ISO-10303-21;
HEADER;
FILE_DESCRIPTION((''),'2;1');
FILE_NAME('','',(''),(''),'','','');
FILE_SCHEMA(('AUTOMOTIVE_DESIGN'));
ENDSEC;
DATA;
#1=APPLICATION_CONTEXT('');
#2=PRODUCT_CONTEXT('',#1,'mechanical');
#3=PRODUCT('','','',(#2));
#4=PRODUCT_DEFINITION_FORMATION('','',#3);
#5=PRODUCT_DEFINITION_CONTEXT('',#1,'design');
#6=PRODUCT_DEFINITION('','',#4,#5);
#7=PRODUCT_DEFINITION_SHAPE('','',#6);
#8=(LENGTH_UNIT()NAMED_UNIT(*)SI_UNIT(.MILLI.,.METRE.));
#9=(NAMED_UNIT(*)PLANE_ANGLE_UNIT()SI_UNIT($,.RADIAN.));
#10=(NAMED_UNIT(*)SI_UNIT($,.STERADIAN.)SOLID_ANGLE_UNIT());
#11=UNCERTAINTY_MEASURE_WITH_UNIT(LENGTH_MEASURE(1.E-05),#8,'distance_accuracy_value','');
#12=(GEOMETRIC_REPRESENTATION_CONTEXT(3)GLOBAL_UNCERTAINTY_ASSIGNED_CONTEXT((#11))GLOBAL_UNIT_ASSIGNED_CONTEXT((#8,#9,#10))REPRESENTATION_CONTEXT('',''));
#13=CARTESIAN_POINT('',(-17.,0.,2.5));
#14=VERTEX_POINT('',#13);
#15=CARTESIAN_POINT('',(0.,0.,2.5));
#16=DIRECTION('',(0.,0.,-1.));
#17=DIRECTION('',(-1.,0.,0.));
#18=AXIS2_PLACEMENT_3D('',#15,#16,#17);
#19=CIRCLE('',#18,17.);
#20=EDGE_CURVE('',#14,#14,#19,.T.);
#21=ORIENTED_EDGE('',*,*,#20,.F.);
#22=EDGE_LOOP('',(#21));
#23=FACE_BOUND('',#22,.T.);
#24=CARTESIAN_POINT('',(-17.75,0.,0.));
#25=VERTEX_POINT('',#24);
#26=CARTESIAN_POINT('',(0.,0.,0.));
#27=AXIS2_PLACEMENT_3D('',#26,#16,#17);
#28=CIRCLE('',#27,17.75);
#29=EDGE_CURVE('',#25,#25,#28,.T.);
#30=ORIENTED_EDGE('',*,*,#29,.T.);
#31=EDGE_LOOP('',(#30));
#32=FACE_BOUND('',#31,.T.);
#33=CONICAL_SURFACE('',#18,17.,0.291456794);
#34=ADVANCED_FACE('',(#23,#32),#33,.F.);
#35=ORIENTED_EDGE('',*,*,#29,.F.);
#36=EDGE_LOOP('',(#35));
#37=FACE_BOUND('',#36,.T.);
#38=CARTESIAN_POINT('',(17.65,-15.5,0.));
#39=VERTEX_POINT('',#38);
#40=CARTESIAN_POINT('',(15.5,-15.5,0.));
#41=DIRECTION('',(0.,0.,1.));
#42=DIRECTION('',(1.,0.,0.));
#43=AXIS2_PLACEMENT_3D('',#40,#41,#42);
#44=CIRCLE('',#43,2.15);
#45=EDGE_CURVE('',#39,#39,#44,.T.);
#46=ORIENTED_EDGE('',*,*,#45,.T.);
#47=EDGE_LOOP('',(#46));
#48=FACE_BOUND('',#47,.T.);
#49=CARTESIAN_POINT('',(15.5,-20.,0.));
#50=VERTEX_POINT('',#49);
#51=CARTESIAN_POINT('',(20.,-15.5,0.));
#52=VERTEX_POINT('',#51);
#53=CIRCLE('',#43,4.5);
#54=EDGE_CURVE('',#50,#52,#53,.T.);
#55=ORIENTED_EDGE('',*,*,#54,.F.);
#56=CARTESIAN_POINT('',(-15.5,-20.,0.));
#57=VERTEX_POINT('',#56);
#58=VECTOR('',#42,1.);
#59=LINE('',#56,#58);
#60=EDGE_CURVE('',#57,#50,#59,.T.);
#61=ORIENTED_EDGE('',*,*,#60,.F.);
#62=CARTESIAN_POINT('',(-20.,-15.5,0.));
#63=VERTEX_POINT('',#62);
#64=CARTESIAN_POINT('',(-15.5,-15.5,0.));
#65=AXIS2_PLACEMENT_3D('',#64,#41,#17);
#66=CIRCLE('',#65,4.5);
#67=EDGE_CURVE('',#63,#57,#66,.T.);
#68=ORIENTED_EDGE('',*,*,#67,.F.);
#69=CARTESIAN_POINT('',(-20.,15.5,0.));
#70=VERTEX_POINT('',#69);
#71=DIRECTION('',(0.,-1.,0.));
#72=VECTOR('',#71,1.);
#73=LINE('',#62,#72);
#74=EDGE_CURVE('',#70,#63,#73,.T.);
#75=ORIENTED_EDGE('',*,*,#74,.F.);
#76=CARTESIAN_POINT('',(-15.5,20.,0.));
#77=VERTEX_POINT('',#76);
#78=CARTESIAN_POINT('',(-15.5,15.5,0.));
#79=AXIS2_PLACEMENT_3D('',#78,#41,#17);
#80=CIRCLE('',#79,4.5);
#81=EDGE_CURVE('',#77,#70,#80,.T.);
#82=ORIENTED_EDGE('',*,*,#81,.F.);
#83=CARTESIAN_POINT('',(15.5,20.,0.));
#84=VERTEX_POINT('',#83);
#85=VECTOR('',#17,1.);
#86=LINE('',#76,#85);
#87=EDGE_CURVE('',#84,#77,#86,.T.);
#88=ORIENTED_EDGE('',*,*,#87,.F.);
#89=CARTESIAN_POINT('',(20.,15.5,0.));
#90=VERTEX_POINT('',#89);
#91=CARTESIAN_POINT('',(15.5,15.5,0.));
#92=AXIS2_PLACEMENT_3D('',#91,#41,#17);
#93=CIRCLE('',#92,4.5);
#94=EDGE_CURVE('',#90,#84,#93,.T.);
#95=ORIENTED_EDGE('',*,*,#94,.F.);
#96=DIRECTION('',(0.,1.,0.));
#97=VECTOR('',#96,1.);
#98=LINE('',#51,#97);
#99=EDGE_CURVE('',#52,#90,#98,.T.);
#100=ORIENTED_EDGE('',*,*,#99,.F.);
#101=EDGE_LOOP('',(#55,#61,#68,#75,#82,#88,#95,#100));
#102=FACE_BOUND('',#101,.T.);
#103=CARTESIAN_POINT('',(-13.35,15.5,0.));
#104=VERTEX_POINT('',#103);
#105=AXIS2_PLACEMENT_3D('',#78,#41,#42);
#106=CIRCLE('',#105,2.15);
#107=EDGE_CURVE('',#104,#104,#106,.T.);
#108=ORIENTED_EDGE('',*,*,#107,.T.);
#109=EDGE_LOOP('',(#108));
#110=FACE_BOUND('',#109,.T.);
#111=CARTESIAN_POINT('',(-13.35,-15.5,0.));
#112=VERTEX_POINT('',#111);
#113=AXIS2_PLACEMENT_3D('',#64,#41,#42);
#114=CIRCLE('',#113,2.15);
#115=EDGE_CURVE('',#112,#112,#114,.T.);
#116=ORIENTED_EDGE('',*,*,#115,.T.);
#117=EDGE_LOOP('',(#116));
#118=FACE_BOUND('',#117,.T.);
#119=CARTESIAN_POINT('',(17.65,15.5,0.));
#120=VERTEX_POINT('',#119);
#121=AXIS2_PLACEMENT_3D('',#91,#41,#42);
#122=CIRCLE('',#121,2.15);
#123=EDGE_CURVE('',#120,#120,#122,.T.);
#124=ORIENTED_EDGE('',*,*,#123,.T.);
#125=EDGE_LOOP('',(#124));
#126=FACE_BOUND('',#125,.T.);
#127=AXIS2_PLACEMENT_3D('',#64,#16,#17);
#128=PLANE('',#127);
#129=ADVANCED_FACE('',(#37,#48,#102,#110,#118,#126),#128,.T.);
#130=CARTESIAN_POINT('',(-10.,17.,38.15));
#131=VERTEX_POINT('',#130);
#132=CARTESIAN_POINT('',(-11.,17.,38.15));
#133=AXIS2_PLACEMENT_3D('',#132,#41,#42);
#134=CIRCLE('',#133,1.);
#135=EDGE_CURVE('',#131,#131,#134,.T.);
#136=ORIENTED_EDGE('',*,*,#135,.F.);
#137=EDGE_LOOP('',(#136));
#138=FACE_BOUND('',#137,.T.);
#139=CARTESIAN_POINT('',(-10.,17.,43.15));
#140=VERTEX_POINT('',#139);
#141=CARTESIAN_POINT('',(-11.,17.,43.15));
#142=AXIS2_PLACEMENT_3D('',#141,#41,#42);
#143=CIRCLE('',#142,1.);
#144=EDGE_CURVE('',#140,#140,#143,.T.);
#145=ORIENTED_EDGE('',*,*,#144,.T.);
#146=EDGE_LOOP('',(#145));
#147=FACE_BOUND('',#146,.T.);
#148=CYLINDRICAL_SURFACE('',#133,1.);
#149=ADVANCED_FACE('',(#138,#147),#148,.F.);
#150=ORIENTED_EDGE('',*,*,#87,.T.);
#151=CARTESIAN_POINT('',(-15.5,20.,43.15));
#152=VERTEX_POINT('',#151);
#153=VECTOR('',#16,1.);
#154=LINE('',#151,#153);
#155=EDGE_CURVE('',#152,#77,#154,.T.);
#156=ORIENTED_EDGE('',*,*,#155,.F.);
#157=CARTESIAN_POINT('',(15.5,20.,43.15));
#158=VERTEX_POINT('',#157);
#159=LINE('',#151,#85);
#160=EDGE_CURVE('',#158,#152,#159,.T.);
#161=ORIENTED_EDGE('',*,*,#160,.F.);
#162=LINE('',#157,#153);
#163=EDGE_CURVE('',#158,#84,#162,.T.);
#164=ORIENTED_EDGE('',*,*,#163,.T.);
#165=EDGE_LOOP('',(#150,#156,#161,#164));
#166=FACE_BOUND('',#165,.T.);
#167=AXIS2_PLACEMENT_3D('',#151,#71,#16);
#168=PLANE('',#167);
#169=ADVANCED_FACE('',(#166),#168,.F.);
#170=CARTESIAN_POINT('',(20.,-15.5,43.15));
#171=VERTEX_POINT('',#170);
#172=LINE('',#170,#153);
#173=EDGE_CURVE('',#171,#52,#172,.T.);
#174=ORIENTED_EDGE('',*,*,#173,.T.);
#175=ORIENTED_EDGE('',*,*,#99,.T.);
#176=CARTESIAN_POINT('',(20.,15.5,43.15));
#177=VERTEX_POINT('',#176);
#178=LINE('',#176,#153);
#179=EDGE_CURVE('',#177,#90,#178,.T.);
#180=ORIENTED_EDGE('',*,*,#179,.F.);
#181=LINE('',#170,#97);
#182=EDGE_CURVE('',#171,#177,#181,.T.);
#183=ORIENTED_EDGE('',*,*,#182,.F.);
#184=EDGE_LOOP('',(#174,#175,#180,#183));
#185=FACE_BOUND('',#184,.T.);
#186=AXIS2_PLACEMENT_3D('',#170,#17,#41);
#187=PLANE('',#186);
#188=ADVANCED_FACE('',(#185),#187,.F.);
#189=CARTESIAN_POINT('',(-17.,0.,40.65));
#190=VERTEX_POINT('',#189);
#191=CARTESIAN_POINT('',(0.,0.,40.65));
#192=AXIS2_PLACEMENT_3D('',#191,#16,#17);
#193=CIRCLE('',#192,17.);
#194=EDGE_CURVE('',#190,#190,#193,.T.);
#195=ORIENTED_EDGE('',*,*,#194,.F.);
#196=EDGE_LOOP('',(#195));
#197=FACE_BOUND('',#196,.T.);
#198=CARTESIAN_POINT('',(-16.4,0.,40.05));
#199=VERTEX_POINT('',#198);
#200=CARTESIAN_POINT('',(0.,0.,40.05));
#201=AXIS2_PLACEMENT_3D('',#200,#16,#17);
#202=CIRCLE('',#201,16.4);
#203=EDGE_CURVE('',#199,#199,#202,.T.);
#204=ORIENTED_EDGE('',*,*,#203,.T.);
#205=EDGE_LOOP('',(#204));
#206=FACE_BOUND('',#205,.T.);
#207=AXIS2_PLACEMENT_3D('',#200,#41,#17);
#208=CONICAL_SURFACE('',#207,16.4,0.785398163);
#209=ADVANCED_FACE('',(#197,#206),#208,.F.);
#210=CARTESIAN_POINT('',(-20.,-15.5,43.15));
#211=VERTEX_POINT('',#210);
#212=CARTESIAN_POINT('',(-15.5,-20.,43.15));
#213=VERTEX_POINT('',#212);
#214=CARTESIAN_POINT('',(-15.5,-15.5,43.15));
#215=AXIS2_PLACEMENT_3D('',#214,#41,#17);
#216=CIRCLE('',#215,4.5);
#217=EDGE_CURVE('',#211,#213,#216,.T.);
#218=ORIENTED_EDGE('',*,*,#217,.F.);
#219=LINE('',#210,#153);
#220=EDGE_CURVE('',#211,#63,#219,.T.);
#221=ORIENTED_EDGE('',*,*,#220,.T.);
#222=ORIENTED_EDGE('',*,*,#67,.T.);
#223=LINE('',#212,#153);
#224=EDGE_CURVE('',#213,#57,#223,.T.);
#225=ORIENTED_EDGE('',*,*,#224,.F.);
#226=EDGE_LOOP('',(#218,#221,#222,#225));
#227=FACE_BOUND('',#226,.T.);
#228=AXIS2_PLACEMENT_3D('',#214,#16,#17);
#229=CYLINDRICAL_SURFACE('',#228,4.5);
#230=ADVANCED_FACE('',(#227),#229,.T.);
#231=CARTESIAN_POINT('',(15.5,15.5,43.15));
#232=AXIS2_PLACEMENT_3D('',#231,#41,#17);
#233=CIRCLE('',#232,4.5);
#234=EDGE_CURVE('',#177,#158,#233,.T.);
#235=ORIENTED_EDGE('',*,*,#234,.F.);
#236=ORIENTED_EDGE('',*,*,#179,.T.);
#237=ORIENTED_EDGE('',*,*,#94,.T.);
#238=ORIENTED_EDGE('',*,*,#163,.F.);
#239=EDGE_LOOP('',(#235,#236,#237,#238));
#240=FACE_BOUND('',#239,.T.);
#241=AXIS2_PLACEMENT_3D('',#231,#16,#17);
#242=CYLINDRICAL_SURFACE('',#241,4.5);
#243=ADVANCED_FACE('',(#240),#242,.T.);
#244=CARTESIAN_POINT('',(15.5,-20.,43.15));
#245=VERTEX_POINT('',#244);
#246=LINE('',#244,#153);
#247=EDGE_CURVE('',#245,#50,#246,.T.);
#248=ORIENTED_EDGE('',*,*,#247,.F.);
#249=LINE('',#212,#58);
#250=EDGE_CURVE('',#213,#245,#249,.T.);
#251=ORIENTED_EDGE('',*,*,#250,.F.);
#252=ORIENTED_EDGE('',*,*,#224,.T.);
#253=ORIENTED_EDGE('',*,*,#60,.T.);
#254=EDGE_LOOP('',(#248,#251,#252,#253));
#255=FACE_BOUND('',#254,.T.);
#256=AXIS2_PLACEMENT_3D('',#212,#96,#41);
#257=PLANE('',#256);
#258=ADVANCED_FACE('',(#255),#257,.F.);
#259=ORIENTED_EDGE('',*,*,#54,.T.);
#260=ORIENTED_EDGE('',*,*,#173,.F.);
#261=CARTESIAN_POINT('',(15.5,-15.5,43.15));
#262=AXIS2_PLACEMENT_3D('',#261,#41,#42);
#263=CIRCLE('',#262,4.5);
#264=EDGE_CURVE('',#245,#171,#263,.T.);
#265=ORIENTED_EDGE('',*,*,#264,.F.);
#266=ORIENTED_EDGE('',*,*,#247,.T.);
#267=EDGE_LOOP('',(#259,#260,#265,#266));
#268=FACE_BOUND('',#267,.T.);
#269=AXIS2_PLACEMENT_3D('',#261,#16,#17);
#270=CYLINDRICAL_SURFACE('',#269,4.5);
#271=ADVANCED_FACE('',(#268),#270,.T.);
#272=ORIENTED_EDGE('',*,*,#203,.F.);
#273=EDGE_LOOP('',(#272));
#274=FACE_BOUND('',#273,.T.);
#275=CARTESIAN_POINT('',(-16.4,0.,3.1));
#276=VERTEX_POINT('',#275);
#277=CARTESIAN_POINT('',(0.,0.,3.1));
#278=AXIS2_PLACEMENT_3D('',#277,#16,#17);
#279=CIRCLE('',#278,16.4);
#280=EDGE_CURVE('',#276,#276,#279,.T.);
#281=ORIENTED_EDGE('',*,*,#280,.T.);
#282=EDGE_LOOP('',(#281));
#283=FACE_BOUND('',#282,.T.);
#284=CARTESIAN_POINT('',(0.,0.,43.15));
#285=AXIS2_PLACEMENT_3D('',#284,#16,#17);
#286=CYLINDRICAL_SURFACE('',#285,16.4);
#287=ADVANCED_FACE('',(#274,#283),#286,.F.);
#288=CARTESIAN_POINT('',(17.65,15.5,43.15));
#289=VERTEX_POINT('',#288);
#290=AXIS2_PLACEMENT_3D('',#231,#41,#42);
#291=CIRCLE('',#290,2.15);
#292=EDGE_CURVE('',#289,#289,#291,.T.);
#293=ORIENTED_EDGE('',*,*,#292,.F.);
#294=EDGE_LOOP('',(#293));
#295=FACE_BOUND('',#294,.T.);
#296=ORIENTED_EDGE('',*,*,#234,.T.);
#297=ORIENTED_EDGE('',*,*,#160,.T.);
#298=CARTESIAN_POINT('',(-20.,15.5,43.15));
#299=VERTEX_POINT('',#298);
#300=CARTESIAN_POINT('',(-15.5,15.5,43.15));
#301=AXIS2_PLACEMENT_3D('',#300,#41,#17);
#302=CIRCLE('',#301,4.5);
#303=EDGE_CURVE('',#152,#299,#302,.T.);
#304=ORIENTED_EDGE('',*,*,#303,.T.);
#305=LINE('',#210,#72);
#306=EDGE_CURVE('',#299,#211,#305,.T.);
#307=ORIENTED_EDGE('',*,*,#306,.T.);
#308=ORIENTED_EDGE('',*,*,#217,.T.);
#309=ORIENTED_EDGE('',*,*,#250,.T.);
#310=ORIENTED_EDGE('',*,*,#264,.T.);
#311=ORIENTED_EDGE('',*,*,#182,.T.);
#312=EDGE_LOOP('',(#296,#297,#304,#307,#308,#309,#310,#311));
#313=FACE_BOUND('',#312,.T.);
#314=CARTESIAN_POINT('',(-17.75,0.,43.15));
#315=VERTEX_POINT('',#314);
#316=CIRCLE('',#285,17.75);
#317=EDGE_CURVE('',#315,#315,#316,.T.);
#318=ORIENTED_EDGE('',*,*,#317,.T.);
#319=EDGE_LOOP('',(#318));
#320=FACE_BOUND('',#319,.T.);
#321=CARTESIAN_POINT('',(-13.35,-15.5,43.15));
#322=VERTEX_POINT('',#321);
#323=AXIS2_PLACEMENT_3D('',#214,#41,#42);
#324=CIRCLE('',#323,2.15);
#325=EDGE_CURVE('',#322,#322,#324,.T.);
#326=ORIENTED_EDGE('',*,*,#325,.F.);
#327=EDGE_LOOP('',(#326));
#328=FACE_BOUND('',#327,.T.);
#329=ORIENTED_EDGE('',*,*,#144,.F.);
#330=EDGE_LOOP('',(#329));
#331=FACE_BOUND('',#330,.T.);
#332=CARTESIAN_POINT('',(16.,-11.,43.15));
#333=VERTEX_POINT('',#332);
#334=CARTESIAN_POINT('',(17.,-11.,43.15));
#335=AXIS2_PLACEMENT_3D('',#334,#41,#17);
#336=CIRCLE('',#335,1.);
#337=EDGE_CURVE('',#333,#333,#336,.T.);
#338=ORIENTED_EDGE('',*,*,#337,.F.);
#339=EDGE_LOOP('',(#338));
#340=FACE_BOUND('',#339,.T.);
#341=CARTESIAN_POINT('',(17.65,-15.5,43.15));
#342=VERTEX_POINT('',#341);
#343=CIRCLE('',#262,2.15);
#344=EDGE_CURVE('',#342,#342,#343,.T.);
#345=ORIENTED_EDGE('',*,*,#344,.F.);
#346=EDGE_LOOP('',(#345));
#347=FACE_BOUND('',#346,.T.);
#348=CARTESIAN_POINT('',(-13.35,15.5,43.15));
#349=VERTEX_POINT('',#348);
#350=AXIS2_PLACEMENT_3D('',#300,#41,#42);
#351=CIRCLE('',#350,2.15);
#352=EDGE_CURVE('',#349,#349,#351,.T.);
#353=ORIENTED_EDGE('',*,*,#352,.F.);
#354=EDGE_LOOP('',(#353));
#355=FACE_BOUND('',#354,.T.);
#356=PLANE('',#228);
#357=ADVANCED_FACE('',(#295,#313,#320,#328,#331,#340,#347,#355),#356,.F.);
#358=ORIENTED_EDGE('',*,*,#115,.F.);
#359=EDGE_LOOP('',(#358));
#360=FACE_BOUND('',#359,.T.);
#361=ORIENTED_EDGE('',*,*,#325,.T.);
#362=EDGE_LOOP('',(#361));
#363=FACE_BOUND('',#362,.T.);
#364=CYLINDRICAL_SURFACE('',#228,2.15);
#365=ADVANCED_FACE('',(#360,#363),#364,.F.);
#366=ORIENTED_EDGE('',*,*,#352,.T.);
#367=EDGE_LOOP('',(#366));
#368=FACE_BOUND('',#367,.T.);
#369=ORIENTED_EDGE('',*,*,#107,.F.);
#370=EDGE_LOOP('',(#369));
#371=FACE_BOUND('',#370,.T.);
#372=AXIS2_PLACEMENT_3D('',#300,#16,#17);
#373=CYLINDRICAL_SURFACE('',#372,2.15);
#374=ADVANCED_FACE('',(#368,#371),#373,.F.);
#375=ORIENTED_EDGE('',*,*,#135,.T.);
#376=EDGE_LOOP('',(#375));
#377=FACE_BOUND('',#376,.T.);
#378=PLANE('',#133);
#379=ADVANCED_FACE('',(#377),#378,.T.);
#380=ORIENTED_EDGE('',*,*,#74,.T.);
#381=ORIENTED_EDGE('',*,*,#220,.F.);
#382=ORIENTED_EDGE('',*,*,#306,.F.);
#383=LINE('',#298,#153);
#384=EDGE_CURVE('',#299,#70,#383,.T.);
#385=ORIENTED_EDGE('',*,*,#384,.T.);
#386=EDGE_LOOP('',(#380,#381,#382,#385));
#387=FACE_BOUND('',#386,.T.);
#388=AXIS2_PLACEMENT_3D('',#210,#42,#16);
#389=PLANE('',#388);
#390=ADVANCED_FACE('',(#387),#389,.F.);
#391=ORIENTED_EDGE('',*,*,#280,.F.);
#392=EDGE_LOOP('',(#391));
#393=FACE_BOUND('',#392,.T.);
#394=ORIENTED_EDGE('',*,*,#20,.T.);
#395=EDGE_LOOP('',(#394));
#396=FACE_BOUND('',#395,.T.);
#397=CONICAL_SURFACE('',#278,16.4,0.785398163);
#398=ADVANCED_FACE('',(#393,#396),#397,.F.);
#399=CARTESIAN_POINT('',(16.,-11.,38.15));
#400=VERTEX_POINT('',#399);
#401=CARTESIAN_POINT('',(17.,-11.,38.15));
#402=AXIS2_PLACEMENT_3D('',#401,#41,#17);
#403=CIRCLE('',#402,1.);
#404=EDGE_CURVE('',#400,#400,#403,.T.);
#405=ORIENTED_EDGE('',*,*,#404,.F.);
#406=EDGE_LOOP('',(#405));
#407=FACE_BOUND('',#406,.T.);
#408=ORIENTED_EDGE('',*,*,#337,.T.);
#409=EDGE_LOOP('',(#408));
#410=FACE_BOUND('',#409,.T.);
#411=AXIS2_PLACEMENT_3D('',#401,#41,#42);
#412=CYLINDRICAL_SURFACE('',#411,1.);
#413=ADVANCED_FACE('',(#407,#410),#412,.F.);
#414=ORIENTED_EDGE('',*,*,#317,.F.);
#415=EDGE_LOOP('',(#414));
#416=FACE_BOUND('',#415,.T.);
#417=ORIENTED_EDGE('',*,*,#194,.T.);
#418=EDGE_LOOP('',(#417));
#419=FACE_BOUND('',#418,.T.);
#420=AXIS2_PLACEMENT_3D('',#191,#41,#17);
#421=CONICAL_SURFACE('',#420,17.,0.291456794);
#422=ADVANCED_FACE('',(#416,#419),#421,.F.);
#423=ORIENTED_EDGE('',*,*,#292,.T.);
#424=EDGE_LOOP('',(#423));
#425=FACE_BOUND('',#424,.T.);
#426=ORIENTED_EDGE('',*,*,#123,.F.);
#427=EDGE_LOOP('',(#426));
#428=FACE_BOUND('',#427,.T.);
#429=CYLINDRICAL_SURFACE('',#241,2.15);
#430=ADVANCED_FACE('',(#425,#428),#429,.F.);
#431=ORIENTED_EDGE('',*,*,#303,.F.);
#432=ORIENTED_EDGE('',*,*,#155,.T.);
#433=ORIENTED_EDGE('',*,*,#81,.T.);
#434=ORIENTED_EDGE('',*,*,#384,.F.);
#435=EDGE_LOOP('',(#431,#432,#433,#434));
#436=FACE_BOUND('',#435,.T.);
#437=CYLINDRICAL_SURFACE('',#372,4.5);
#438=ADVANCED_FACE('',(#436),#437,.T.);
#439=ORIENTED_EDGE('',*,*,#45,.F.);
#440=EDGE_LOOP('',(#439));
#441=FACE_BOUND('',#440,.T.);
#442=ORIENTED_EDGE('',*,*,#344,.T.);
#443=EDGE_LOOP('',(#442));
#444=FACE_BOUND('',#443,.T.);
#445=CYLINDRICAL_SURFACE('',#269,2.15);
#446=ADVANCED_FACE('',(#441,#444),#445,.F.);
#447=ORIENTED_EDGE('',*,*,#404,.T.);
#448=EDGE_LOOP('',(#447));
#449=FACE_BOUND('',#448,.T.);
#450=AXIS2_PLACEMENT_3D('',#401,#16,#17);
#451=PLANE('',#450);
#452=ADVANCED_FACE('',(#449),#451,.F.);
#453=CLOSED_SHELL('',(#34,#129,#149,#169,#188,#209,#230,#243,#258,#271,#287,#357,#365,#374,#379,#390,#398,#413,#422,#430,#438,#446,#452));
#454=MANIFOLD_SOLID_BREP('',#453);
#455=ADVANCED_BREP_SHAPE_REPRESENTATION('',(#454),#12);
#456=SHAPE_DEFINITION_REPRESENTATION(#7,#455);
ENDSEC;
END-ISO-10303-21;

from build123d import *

# Parameters (mm, degrees)
SKETCH1_R           = 16.4
SKETCH1_R_2         = 2.15
BOSS_EXTRUDE1_DEPTH = 43.15
SKETCH6_R           = 1
CUT_EXTRUDE1_DEPTH  = 5


with BuildPart() as part:
    # Sketch1 → Boss-Extrude1 (new body)
    with BuildSketch(Plane.XY):
        with BuildLine():
            Line((-15.5, -20), (15.5, -20))
            ThreePointArc((15.5, -20), (18.681980515, -18.681980515), (20, -15.5))
            Line((20, -15.5), (20, 15.5))
            ThreePointArc((20, 15.5), (18.681980515, 18.681980515), (15.5, 20))
            Line((15.5, 20), (-15.5, 20))
            ThreePointArc((-15.5, 20), (-18.681980515, 18.681980515), (-20, 15.5))
            Line((-20, 15.5), (-20, -15.5))
            ThreePointArc((-20, -15.5), (-18.681980515, -18.681980515), (-15.5, -20))
        make_face()
        Circle(SKETCH1_R, mode=Mode.SUBTRACT)
        with Locations((-15.5, 15.5)):
            Circle(SKETCH1_R_2, mode=Mode.SUBTRACT)
        with Locations((15.5, 15.5)):
            Circle(SKETCH1_R_2, mode=Mode.SUBTRACT)
        with Locations((15.5, -15.5)):
            Circle(SKETCH1_R_2, mode=Mode.SUBTRACT)
        with Locations((-15.5, -15.5)):
            Circle(SKETCH1_R_2, mode=Mode.SUBTRACT)
    extrude(amount=BOSS_EXTRUDE1_DEPTH)

    # Sketch5 → Cut-Revolve1 (revolve, cut)
    with BuildSketch(Plane(origin=(0, 0, 0), x_dir=(1, 0, 0), z_dir=(0, 1, 0)), mode=Mode.PRIVATE) as cut_revolve1_sk:
        Polygon((16.4, -3.1), (17, -2.5), (17.75, 0), (16.4, 0), align=None)
    cut_revolve1 = revolve(cut_revolve1_sk.sketch.rotate(Axis((0, 0, -2.15), (0, 0, 1)), 180), axis=Axis((0, 0, -2.15), (0, 0, 1)), mode=Mode.SUBTRACT)

    # Mirror1: Cut-Revolve1 across plane
    add(cut_revolve1.mirror(Plane(origin=(0, 0, 21.575), x_dir=(1, 0, 0), z_dir=(0, 0, -1))), mode=Mode.SUBTRACT)

    # Sketch6 → Cut-Extrude1 (cut)
    with BuildSketch(Plane.XY.offset(43.15)):
        with Locations((-11, 17)):
            Circle(SKETCH6_R)
        with Locations(Location((17, -11, 0), (0, 0, 180))):
            Circle(SKETCH6_R)
    extrude(amount=-CUT_EXTRUDE1_DEPTH, mode=Mode.SUBTRACT)


solid = part.part
